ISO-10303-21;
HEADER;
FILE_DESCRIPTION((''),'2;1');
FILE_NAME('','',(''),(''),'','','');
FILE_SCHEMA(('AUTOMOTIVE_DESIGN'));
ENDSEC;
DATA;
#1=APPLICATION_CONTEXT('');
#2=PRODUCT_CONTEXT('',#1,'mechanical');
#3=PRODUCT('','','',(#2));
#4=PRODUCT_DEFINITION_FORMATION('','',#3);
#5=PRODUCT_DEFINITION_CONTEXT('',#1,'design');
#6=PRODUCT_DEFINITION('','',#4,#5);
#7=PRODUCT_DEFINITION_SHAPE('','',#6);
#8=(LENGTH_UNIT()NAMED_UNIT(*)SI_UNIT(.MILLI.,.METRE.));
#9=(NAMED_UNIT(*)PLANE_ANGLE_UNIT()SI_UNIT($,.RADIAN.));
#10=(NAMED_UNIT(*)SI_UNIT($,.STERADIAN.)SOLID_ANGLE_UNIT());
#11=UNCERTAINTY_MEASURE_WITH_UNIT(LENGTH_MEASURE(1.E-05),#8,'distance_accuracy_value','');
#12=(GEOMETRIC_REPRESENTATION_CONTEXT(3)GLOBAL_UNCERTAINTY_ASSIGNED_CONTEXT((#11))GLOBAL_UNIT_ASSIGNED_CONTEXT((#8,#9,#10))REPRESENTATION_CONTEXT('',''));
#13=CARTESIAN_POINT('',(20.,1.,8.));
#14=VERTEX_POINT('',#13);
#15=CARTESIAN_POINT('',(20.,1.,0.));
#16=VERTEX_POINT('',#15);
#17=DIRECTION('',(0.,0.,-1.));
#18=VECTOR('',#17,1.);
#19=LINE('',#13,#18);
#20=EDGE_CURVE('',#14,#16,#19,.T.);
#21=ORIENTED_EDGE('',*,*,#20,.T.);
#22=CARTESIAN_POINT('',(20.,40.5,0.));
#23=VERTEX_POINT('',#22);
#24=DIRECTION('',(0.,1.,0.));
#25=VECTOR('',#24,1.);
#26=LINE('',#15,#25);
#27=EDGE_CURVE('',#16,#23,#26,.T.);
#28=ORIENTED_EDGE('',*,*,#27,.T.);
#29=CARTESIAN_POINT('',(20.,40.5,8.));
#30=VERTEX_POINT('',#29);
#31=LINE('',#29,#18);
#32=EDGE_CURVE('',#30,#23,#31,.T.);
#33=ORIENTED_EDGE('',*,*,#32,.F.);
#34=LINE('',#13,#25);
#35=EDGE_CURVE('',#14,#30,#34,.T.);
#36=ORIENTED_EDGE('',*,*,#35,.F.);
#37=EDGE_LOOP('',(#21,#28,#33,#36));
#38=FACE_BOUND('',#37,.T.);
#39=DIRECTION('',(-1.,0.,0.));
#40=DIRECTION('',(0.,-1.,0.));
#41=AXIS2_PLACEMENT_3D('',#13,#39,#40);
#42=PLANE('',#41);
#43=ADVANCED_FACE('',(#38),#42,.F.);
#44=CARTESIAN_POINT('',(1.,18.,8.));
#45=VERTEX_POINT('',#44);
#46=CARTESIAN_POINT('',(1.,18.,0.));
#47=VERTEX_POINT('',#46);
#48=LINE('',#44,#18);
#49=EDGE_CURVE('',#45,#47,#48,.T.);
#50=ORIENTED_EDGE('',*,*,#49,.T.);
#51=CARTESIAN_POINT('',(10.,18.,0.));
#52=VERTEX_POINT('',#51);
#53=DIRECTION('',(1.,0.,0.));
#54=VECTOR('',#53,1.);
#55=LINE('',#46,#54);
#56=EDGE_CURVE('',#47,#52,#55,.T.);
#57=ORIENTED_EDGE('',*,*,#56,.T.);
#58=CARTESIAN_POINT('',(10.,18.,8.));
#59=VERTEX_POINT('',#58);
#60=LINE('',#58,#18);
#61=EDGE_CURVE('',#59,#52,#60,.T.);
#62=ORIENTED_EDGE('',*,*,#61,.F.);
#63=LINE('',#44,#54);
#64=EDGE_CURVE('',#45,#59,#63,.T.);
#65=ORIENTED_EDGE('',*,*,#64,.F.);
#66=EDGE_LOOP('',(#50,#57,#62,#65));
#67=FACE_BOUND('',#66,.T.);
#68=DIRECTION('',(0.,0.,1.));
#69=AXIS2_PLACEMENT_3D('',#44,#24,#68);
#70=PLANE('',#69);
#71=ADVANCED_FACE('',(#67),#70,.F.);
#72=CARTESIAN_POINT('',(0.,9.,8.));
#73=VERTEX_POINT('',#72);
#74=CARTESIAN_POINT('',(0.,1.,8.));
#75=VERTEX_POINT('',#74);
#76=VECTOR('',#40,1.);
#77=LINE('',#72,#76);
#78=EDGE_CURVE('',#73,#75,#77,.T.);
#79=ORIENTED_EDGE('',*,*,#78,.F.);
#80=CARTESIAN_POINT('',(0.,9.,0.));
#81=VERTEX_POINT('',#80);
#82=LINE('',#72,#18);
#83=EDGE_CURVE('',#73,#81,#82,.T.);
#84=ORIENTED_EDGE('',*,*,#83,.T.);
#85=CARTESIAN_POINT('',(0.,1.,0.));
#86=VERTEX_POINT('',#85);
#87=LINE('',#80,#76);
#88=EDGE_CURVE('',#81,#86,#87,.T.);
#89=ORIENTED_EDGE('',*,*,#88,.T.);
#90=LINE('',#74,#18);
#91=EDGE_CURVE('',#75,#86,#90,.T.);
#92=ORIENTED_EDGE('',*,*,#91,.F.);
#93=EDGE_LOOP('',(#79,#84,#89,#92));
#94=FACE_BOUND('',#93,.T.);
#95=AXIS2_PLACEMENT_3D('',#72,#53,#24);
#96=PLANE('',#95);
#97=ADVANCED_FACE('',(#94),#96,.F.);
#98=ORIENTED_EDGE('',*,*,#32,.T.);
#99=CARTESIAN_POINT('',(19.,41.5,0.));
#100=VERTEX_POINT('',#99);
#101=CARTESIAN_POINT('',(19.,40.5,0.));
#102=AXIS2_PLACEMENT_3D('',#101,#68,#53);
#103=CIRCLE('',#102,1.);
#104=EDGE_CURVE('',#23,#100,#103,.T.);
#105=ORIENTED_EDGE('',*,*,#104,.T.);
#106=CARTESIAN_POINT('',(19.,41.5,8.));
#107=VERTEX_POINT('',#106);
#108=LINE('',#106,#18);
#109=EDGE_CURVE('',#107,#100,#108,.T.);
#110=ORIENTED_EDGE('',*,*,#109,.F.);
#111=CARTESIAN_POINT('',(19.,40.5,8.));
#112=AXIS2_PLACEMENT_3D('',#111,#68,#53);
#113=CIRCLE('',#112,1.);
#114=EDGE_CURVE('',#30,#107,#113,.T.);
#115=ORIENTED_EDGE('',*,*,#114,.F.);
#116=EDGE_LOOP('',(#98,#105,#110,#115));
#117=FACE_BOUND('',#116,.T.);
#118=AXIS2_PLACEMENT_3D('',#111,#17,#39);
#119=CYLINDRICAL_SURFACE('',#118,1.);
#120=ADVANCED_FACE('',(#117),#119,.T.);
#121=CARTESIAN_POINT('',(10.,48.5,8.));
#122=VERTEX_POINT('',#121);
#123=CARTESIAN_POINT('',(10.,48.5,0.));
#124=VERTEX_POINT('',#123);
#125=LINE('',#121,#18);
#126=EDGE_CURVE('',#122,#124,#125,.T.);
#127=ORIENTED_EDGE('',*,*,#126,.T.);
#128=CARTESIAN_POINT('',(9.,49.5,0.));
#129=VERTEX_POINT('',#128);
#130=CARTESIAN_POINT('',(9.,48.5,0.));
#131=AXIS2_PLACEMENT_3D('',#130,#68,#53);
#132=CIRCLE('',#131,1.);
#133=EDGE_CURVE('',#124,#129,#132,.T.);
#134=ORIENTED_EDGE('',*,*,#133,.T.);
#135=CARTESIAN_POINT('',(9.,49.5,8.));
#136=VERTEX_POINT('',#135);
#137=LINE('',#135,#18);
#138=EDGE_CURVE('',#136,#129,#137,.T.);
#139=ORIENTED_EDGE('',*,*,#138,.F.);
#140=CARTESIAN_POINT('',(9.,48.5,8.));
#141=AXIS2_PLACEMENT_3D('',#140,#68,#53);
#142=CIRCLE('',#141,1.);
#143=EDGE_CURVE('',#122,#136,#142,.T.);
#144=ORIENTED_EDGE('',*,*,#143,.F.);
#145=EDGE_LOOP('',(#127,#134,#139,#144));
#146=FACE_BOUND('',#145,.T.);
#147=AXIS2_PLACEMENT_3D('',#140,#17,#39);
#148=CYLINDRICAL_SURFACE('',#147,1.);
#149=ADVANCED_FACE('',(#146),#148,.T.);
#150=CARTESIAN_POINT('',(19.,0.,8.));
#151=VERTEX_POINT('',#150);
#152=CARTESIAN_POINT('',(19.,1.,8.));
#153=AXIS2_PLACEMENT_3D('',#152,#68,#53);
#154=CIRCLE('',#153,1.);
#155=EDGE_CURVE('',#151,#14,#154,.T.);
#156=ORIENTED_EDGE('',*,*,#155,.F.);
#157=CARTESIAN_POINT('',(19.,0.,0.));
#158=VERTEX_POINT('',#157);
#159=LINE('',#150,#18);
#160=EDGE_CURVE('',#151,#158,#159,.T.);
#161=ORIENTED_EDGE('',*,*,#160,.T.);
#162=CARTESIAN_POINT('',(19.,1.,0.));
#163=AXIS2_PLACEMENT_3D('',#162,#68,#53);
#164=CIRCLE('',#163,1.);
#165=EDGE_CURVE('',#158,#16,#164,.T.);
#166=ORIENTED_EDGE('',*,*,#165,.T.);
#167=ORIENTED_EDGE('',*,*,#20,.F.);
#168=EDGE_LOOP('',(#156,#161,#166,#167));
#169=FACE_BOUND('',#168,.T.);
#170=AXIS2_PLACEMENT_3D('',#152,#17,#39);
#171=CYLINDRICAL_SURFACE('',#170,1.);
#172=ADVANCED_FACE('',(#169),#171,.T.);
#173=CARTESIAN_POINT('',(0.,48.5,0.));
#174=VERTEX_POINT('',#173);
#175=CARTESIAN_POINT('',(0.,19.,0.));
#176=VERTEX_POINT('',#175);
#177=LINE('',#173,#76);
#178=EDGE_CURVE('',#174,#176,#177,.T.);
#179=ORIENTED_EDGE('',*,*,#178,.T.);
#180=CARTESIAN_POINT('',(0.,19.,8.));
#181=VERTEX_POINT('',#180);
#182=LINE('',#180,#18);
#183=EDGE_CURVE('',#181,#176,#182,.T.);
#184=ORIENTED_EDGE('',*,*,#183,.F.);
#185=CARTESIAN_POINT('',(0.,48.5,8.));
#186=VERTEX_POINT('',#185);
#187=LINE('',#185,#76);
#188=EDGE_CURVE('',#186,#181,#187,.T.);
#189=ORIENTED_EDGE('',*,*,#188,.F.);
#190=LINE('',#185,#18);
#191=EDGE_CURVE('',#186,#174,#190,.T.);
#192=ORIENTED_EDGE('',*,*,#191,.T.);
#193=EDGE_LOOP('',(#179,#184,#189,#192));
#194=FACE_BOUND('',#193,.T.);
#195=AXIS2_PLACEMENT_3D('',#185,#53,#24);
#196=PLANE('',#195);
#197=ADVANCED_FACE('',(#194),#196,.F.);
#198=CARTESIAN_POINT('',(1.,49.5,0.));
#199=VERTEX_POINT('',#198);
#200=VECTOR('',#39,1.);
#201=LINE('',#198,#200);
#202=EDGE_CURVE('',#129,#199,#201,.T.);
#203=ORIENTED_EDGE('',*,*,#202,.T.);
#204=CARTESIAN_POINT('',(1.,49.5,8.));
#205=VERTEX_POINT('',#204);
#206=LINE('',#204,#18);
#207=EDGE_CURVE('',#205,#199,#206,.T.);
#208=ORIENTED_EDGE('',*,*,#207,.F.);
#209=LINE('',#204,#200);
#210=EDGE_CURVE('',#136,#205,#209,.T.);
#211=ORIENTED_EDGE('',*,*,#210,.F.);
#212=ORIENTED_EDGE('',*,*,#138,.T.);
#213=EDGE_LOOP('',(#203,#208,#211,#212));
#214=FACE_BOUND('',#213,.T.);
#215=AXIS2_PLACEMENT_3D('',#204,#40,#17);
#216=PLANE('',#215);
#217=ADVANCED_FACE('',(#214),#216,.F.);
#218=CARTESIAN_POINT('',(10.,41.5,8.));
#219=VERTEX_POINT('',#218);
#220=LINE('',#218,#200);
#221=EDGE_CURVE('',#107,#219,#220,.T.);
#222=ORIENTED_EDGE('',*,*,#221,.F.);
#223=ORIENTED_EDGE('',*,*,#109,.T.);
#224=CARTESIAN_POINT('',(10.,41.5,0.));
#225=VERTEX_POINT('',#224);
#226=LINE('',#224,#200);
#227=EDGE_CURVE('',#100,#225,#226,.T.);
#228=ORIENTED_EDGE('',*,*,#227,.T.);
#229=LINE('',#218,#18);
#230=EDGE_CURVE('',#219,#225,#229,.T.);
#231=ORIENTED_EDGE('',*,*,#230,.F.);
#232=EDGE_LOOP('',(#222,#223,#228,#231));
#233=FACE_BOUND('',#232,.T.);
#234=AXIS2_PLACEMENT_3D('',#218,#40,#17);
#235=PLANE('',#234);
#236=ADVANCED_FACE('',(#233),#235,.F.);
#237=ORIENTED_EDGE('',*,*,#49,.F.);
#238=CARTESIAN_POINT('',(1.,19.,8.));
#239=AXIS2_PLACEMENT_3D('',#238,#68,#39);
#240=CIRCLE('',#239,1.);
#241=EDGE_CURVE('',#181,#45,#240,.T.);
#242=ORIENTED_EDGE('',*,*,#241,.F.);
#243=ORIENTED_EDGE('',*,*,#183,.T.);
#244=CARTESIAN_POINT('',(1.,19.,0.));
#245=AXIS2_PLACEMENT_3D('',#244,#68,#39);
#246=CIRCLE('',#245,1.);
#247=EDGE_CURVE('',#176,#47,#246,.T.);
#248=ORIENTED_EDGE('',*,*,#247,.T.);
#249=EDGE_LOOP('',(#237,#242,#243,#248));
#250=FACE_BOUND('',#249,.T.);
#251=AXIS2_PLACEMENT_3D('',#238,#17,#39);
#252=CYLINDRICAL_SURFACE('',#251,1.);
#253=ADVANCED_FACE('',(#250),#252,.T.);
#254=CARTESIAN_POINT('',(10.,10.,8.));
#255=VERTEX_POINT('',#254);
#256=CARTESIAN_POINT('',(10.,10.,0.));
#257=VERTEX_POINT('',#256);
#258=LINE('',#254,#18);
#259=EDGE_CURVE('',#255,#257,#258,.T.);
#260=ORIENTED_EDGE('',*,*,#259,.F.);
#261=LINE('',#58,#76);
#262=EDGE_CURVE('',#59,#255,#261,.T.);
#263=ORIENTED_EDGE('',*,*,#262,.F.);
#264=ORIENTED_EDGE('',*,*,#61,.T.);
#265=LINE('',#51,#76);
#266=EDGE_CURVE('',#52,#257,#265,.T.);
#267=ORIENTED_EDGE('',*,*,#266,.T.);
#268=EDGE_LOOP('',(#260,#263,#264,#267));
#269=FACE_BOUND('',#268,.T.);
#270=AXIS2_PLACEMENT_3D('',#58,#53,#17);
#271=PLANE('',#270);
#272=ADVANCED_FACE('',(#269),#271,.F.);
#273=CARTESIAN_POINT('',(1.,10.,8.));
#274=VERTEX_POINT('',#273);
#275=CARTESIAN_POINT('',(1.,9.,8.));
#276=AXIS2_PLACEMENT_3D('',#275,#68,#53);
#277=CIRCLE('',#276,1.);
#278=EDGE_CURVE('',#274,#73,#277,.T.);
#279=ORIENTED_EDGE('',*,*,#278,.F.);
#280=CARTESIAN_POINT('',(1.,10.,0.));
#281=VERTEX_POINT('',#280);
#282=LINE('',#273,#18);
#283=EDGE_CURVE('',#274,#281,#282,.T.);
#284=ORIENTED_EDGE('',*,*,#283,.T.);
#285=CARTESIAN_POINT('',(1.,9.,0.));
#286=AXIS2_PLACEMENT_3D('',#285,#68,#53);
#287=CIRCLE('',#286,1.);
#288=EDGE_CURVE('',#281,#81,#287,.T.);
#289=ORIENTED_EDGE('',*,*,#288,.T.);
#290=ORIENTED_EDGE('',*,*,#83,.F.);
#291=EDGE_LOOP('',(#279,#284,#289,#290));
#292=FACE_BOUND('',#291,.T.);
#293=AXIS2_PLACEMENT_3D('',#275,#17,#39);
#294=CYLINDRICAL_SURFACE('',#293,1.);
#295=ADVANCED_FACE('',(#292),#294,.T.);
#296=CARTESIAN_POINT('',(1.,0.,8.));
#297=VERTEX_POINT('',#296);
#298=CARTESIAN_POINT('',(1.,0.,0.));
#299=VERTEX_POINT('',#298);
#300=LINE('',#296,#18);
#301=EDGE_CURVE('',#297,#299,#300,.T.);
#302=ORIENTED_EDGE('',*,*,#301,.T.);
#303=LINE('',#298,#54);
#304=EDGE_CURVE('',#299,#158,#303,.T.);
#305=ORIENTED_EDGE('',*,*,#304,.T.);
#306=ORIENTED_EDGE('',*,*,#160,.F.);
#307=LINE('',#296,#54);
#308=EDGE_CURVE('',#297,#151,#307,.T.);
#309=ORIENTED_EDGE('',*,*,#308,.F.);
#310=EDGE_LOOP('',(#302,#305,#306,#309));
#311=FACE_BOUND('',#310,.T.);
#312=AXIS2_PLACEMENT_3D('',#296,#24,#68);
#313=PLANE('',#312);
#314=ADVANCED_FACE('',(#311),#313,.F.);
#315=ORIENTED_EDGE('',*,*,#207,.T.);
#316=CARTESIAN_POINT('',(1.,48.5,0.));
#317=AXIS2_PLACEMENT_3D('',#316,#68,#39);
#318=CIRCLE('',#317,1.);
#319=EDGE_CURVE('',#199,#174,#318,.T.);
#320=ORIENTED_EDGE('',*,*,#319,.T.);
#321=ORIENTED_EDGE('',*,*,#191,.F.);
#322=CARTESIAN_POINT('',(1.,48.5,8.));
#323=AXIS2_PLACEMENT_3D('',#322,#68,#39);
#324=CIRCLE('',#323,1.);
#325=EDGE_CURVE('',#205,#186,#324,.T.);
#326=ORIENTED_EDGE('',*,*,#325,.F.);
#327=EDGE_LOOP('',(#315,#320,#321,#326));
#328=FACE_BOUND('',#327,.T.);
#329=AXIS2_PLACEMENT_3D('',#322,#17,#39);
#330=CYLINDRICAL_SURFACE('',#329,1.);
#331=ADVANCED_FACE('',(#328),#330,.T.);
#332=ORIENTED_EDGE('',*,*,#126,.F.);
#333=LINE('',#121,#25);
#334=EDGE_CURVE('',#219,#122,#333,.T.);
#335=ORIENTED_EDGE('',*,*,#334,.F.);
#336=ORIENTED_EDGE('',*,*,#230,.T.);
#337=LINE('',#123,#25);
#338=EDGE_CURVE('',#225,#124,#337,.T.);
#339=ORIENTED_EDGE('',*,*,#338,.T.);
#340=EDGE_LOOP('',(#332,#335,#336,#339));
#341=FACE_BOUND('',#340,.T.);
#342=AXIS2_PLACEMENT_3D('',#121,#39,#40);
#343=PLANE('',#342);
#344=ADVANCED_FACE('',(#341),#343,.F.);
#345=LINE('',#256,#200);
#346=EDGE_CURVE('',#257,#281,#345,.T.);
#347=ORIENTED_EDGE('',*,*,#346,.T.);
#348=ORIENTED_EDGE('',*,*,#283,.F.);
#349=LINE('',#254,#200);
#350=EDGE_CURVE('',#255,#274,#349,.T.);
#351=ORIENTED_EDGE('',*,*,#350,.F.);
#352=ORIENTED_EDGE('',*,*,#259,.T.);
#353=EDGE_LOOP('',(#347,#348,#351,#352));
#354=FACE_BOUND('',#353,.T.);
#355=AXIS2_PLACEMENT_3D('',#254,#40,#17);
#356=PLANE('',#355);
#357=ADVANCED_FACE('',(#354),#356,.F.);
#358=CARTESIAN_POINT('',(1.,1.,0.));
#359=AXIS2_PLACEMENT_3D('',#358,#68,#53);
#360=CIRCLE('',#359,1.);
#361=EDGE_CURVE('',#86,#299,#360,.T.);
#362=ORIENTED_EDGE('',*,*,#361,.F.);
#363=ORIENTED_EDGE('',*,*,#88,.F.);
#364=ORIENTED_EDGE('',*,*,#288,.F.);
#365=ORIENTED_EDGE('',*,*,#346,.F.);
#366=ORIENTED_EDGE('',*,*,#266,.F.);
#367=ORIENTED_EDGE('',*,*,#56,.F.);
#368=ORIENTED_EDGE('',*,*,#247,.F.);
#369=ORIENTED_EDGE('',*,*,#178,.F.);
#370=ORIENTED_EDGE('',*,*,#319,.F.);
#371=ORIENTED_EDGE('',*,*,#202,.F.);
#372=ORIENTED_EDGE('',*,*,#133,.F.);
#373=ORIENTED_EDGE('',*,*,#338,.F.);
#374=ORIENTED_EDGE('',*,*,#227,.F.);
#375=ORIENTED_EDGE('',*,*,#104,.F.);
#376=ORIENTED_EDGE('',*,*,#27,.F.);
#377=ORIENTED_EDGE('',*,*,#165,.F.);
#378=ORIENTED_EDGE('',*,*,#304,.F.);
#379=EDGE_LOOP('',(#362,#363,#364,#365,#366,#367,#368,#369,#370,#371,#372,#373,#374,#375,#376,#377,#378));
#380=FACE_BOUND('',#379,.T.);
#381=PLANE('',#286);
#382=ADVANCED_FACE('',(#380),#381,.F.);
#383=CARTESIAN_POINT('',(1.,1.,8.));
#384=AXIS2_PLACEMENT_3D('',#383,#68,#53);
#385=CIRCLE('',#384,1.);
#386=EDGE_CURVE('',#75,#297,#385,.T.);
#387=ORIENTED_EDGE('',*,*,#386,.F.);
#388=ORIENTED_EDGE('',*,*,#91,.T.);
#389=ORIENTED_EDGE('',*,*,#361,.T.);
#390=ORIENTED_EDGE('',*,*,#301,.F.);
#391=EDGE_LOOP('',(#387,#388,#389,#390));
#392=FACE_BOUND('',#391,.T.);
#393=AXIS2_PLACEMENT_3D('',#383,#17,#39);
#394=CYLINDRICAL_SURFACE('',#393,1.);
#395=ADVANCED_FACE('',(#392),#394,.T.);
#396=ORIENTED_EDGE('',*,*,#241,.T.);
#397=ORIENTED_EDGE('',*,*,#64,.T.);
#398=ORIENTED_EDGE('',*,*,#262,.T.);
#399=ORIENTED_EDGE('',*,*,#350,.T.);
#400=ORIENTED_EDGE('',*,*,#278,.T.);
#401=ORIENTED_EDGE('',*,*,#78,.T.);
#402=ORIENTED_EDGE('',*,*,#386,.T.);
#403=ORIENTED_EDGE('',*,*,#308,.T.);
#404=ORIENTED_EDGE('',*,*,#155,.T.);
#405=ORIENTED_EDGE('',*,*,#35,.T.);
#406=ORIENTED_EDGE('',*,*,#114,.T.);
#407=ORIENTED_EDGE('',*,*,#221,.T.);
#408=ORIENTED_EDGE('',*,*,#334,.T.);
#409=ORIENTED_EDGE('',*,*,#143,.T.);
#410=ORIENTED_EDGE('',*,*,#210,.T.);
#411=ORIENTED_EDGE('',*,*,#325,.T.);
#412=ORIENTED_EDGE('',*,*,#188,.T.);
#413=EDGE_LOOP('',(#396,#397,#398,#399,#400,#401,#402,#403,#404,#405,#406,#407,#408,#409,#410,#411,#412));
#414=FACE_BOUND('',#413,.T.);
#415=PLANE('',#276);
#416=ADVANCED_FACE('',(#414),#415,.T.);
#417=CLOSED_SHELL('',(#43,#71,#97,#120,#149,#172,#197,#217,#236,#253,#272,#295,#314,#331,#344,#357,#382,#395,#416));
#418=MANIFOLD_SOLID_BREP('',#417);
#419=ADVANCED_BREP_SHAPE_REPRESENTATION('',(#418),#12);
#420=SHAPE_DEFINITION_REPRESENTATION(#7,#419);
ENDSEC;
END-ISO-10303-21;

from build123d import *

# Parameters (mm, degrees)
BOSS_EXTRUDE1_DEPTH = 8


with BuildPart() as part:
    # Sketch1 → Boss-Extrude1 (new body)
    with BuildSketch(Plane.XY):
        with BuildLine():
            Line((1, 0), (19, 0))
            ThreePointArc((19, 0), (19.707106781, 0.292893219), (20, 1))
            Line((20, 1), (20, 40.5))
            ThreePointArc((20, 40.5), (19.707106781, 41.207106781), (19, 41.5))
            Line((19, 41.5), (10, 41.5))
            Line((10, 41.5), (10, 48.5))
            ThreePointArc((10, 48.5), (9.707106781, 49.207106781), (9, 49.5))
            Line((9, 49.5), (1, 49.5))
            ThreePointArc((1, 49.5), (0.292893219, 49.207106781), (0, 48.5))
            Line((0, 48.5), (0, 19))
            ThreePointArc((0, 19), (0.292893219, 18.292893219), (1, 18))
            Line((1, 18), (10, 18))
            Line((10, 18), (10, 10))
            Line((10, 10), (1, 10))
            ThreePointArc((1, 10), (0.292893219, 9.707106781), (0, 9))
            Line((0, 9), (0, 1))
            ThreePointArc((0, 1), (0.292893219, 0.292893219), (1, 0))
        make_face()
    extrude(amount=BOSS_EXTRUDE1_DEPTH)


solid = part.part
